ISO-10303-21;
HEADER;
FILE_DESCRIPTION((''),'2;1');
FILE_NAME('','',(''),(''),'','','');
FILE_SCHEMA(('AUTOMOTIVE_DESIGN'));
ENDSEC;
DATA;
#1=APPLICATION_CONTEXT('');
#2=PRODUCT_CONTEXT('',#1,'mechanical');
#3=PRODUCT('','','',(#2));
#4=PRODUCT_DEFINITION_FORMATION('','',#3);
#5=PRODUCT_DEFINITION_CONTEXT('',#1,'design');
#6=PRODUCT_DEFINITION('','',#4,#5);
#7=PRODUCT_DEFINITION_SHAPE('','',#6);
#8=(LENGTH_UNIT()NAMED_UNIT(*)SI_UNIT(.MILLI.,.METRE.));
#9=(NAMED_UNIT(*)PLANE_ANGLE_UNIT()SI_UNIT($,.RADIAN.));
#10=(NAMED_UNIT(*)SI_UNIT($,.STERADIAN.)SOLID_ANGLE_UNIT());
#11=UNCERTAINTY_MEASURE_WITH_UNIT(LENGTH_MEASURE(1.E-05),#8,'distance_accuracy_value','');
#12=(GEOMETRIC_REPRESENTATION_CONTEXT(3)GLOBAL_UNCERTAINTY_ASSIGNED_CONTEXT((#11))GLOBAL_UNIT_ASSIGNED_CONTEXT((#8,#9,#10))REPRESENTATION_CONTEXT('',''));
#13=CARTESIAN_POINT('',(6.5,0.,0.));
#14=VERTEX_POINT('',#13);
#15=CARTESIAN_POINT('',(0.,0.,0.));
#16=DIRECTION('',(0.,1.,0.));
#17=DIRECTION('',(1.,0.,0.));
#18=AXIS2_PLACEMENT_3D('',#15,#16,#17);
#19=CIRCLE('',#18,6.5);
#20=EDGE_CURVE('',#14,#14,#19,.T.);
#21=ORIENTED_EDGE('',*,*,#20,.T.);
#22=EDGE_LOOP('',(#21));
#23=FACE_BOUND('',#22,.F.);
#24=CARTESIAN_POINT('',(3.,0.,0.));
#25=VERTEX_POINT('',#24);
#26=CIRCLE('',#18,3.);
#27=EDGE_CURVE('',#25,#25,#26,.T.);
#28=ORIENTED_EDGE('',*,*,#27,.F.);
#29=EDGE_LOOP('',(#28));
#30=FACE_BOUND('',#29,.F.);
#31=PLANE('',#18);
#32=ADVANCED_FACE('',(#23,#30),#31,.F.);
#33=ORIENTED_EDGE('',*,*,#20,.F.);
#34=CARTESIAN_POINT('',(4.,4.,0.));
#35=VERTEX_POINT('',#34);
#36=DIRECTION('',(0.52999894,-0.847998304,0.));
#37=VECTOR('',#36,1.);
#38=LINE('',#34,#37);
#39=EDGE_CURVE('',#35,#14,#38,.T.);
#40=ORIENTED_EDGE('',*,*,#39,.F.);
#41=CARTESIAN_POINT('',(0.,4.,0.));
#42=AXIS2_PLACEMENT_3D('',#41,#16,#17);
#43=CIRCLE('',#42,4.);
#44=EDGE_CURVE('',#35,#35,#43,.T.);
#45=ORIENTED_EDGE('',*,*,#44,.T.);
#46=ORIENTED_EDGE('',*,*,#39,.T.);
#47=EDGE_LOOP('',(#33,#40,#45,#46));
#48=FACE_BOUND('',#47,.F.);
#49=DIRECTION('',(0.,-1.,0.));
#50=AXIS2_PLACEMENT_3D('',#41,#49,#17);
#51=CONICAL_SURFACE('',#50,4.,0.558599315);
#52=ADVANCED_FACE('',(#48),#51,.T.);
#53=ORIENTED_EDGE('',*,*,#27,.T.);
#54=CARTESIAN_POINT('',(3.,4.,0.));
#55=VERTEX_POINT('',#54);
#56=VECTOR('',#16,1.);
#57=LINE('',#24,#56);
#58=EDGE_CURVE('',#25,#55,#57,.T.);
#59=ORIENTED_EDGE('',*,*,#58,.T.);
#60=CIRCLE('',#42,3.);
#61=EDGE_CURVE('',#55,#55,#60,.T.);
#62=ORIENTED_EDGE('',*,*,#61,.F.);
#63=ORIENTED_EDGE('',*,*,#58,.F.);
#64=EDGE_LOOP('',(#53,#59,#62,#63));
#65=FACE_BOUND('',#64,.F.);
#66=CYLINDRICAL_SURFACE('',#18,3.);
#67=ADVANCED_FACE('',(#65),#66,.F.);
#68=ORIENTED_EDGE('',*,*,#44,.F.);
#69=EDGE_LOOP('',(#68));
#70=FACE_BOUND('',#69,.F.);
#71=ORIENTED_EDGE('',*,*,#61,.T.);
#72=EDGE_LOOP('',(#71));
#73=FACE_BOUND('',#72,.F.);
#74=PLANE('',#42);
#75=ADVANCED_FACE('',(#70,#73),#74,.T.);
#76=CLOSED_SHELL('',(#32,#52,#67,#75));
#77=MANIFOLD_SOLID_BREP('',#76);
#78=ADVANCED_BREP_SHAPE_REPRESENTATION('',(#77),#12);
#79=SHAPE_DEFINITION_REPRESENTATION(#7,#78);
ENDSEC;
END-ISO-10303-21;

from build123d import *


with BuildPart() as part:
    # Szkic1 → Obrót1 (revolve)
    with BuildSketch(Plane.XY):
        Polygon((3, 0), (3, 4), (4, 4), (6.5, 0), align=None)
    revolve(axis=Axis((0, 0, 0), (0, 1, 0)))


solid = part.part
